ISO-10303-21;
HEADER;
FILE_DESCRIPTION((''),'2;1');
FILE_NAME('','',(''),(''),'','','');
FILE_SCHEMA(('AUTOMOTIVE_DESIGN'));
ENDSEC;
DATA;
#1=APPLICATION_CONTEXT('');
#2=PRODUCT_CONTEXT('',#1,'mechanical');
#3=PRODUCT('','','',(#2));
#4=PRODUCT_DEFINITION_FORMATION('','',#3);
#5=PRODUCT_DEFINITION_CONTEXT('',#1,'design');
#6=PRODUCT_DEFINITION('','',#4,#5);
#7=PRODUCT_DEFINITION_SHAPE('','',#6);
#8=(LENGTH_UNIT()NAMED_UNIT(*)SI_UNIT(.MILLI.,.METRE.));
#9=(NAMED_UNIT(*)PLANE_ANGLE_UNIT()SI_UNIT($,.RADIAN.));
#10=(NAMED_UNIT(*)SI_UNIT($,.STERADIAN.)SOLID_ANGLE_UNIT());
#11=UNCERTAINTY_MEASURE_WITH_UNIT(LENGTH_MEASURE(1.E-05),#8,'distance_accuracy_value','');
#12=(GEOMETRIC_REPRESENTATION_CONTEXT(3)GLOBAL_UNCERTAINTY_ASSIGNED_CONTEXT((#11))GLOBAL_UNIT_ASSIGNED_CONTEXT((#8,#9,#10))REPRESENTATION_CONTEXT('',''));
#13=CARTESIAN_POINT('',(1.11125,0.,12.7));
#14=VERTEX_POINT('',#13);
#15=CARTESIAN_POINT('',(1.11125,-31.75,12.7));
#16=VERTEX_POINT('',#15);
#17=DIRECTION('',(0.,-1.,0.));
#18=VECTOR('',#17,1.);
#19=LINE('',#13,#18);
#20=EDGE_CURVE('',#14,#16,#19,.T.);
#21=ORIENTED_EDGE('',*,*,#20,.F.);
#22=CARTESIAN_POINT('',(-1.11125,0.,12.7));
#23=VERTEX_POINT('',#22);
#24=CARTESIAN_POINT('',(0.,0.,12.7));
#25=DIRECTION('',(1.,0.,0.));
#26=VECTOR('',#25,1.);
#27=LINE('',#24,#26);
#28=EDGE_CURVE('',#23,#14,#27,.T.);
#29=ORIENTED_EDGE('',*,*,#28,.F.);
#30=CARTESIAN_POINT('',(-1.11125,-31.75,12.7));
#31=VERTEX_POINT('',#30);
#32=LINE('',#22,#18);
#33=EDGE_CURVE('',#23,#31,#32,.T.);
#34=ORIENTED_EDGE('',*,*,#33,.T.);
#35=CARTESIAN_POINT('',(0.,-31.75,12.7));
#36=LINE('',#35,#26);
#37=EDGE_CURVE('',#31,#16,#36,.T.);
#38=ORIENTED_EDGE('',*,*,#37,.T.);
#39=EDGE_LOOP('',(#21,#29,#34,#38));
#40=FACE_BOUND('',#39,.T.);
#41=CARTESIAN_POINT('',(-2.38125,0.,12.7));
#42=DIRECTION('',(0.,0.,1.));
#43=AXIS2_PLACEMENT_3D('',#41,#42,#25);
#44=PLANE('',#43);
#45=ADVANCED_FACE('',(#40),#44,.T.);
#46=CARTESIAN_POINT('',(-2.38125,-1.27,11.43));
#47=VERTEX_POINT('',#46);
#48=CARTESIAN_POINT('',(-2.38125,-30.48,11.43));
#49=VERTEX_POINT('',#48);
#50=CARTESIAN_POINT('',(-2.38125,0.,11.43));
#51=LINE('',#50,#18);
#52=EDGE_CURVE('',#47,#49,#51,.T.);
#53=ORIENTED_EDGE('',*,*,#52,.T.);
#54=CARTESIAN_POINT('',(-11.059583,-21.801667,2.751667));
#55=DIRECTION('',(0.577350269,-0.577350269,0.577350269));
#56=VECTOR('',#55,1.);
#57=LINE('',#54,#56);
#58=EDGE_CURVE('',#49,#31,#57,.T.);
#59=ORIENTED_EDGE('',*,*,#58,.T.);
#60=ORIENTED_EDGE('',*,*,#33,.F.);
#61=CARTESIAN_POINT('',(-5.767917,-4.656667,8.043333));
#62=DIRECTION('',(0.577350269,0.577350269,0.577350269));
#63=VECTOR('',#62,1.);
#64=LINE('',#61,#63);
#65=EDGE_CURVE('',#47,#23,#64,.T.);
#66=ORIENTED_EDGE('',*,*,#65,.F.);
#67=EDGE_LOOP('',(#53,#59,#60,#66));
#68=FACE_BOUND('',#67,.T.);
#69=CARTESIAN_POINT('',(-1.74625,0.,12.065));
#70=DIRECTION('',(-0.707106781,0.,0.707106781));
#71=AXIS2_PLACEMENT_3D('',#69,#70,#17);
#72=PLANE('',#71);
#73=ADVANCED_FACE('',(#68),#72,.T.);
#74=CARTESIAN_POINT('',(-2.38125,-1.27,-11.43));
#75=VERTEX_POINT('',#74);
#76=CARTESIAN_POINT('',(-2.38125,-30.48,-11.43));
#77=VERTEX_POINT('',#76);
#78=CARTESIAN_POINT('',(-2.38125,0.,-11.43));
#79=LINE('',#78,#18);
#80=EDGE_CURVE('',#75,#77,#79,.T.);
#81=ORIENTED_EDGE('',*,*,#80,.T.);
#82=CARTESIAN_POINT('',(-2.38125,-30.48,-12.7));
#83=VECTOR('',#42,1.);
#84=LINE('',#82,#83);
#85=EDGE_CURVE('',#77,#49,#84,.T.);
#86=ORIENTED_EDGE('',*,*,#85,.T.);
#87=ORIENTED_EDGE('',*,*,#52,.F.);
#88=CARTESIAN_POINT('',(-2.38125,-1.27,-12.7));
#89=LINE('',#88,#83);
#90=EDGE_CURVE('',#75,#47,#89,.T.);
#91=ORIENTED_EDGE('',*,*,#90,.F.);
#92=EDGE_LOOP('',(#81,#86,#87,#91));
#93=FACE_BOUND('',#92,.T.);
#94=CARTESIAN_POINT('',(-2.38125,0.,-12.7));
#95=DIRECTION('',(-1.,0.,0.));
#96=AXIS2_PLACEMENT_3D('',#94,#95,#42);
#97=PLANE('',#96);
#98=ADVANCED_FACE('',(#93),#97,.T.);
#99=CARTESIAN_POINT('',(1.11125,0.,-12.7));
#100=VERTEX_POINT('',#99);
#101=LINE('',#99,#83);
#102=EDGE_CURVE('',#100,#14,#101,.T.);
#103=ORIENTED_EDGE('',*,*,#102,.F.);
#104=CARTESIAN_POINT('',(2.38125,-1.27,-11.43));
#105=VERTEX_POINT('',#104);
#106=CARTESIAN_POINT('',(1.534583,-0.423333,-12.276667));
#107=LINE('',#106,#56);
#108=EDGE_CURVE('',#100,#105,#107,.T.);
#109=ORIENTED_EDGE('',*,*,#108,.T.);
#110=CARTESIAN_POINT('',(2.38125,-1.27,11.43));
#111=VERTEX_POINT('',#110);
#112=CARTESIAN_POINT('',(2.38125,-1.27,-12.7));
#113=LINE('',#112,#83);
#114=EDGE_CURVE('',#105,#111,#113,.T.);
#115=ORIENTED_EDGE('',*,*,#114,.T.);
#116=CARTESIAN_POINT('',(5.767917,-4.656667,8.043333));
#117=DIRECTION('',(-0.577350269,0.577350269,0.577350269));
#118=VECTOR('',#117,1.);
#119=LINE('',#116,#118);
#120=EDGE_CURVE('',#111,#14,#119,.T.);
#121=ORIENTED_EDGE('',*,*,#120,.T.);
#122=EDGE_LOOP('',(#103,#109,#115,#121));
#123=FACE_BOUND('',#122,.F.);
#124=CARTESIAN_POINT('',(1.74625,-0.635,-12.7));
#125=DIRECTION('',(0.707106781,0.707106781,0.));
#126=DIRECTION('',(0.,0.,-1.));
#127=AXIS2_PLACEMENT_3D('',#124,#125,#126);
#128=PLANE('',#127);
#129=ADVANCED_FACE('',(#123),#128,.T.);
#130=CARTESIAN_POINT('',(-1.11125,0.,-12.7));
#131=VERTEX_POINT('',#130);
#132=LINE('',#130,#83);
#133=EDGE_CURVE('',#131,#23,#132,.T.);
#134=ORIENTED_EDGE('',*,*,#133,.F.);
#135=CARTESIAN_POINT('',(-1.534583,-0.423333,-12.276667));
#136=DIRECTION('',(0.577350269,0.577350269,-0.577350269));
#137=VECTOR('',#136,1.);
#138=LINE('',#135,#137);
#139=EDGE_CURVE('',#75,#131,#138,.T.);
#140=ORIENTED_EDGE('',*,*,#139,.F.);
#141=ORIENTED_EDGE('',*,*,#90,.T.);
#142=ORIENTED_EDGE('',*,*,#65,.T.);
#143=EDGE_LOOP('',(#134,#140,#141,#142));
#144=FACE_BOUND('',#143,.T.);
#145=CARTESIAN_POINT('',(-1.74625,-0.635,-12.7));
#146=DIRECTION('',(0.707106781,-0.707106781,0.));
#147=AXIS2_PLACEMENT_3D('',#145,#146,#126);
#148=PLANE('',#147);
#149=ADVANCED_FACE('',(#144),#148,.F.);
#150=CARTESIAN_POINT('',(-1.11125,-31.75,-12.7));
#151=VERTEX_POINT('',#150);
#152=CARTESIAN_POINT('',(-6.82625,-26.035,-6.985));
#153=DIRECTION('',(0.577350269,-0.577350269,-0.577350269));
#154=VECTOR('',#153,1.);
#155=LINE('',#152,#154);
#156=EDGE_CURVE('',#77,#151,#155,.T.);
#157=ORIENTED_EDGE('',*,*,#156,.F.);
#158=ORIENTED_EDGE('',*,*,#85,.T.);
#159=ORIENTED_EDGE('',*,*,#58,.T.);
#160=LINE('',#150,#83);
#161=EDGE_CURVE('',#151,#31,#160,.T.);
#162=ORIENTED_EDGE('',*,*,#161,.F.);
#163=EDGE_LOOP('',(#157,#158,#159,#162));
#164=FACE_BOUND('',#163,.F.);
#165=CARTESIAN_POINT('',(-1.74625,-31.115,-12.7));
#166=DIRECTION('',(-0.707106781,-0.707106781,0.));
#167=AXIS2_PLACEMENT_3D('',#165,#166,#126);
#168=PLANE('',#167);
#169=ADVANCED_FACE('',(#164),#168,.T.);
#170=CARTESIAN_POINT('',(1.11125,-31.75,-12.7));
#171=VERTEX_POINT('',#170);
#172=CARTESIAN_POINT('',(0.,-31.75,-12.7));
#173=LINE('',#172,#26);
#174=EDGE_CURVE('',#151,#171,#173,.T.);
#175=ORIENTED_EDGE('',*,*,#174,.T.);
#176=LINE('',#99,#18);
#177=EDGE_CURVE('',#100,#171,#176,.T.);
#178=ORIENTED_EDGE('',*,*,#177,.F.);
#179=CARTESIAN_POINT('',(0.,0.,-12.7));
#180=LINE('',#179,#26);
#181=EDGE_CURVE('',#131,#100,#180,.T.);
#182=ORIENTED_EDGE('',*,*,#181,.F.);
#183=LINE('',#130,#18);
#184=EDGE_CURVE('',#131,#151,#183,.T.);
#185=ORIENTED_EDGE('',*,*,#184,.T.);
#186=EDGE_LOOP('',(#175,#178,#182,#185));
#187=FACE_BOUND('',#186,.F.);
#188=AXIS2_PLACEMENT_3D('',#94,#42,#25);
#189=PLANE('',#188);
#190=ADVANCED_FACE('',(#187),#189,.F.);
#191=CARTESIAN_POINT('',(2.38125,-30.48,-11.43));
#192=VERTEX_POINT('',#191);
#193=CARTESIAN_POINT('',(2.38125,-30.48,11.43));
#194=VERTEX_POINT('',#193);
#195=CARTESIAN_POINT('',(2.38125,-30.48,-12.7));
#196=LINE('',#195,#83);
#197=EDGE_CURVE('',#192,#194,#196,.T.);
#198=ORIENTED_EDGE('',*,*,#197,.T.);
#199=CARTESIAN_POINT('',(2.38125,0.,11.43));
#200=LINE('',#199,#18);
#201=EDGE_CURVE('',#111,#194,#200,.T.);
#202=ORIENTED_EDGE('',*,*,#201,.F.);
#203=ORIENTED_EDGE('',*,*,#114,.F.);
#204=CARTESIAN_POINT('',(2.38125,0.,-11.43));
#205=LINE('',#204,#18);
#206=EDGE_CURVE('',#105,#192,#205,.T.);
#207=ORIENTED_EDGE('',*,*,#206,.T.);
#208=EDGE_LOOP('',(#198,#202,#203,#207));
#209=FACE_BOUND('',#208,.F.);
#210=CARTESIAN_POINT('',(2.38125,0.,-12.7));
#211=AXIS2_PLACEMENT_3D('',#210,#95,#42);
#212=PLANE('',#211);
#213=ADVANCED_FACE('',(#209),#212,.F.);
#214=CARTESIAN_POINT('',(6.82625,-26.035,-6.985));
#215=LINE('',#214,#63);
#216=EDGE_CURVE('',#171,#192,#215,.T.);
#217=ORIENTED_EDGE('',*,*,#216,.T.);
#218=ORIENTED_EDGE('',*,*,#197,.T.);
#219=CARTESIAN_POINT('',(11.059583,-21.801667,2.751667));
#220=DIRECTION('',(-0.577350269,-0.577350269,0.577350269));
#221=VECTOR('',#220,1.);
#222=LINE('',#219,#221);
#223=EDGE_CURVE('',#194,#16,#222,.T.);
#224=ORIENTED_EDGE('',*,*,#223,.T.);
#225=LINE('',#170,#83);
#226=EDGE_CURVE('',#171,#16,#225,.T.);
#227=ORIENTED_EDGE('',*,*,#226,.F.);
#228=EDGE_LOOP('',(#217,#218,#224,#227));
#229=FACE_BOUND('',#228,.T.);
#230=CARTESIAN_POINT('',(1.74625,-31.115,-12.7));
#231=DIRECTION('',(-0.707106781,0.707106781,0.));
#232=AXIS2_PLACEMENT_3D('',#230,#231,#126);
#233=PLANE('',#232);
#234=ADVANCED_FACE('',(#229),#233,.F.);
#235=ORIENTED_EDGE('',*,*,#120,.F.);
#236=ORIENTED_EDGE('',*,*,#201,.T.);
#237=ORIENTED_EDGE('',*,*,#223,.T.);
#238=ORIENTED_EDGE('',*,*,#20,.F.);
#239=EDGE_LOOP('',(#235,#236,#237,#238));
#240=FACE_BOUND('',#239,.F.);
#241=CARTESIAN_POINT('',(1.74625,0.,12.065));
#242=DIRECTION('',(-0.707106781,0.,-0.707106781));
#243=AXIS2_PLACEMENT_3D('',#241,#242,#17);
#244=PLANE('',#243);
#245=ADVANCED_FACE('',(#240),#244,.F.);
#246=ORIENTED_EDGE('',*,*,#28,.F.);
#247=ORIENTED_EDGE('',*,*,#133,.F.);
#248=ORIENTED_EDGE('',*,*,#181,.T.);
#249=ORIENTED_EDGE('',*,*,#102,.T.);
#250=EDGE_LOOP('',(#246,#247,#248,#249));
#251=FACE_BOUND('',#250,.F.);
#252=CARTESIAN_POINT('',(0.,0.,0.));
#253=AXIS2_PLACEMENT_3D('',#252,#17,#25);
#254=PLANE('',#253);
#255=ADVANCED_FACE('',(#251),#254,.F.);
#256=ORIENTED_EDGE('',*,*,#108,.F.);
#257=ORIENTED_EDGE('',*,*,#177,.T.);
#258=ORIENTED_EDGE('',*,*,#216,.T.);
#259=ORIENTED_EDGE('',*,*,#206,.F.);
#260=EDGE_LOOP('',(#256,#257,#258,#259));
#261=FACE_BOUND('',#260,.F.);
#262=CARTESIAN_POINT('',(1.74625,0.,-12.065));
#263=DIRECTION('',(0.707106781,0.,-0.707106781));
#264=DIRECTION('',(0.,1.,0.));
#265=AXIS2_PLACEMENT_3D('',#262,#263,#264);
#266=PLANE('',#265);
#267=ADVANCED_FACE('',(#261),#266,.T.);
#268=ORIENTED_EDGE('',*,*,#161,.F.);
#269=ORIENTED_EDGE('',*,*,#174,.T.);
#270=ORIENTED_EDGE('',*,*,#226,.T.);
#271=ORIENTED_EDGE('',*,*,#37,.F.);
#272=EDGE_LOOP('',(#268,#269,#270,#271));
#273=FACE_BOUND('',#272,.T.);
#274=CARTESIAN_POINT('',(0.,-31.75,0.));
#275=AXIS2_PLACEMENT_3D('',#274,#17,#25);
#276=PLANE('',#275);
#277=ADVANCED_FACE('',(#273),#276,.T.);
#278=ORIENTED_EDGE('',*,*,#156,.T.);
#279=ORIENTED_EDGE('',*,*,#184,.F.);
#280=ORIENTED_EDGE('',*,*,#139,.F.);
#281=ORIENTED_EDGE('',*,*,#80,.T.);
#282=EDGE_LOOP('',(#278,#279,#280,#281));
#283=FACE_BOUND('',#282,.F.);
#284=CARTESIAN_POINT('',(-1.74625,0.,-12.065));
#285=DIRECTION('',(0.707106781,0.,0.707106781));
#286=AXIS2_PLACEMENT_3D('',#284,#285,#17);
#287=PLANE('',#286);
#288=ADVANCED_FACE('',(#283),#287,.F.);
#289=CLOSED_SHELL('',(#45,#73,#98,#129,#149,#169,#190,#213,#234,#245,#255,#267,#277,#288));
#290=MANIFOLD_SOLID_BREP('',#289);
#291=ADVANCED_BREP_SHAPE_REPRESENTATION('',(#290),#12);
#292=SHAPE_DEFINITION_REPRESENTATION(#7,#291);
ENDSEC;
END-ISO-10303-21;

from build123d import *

# Parameters (mm, degrees)
F0_W     = 4.7625
F0_H     = 25.4
F1_DEPTH = 31.75
F2_SIZE  = 1.27


with BuildPart() as f1:
    # F0 (on Front) → F1 (new body)
    with BuildSketch(Plane.XZ):
        Rectangle(F0_W, F0_H)
    extrude(amount=F1_DEPTH)

    # F2
    f2_edges = [f1.edges().sort_by_distance(p)[0] for p in [
        (2.38125, -15.875, -12.7),
        (2.38125, -15.875, 12.7),
        (2.38125, 0, 0),
        (2.38125, -31.75, 0),
        (-2.38125, -15.875, 12.7),
        (-2.38125, -15.875, -12.7),
        (-2.38125, 0, 0),
        (-2.38125, -31.75, 0),
    ]]
    chamfer(f2_edges, length=F2_SIZE)


solid = f1.part
